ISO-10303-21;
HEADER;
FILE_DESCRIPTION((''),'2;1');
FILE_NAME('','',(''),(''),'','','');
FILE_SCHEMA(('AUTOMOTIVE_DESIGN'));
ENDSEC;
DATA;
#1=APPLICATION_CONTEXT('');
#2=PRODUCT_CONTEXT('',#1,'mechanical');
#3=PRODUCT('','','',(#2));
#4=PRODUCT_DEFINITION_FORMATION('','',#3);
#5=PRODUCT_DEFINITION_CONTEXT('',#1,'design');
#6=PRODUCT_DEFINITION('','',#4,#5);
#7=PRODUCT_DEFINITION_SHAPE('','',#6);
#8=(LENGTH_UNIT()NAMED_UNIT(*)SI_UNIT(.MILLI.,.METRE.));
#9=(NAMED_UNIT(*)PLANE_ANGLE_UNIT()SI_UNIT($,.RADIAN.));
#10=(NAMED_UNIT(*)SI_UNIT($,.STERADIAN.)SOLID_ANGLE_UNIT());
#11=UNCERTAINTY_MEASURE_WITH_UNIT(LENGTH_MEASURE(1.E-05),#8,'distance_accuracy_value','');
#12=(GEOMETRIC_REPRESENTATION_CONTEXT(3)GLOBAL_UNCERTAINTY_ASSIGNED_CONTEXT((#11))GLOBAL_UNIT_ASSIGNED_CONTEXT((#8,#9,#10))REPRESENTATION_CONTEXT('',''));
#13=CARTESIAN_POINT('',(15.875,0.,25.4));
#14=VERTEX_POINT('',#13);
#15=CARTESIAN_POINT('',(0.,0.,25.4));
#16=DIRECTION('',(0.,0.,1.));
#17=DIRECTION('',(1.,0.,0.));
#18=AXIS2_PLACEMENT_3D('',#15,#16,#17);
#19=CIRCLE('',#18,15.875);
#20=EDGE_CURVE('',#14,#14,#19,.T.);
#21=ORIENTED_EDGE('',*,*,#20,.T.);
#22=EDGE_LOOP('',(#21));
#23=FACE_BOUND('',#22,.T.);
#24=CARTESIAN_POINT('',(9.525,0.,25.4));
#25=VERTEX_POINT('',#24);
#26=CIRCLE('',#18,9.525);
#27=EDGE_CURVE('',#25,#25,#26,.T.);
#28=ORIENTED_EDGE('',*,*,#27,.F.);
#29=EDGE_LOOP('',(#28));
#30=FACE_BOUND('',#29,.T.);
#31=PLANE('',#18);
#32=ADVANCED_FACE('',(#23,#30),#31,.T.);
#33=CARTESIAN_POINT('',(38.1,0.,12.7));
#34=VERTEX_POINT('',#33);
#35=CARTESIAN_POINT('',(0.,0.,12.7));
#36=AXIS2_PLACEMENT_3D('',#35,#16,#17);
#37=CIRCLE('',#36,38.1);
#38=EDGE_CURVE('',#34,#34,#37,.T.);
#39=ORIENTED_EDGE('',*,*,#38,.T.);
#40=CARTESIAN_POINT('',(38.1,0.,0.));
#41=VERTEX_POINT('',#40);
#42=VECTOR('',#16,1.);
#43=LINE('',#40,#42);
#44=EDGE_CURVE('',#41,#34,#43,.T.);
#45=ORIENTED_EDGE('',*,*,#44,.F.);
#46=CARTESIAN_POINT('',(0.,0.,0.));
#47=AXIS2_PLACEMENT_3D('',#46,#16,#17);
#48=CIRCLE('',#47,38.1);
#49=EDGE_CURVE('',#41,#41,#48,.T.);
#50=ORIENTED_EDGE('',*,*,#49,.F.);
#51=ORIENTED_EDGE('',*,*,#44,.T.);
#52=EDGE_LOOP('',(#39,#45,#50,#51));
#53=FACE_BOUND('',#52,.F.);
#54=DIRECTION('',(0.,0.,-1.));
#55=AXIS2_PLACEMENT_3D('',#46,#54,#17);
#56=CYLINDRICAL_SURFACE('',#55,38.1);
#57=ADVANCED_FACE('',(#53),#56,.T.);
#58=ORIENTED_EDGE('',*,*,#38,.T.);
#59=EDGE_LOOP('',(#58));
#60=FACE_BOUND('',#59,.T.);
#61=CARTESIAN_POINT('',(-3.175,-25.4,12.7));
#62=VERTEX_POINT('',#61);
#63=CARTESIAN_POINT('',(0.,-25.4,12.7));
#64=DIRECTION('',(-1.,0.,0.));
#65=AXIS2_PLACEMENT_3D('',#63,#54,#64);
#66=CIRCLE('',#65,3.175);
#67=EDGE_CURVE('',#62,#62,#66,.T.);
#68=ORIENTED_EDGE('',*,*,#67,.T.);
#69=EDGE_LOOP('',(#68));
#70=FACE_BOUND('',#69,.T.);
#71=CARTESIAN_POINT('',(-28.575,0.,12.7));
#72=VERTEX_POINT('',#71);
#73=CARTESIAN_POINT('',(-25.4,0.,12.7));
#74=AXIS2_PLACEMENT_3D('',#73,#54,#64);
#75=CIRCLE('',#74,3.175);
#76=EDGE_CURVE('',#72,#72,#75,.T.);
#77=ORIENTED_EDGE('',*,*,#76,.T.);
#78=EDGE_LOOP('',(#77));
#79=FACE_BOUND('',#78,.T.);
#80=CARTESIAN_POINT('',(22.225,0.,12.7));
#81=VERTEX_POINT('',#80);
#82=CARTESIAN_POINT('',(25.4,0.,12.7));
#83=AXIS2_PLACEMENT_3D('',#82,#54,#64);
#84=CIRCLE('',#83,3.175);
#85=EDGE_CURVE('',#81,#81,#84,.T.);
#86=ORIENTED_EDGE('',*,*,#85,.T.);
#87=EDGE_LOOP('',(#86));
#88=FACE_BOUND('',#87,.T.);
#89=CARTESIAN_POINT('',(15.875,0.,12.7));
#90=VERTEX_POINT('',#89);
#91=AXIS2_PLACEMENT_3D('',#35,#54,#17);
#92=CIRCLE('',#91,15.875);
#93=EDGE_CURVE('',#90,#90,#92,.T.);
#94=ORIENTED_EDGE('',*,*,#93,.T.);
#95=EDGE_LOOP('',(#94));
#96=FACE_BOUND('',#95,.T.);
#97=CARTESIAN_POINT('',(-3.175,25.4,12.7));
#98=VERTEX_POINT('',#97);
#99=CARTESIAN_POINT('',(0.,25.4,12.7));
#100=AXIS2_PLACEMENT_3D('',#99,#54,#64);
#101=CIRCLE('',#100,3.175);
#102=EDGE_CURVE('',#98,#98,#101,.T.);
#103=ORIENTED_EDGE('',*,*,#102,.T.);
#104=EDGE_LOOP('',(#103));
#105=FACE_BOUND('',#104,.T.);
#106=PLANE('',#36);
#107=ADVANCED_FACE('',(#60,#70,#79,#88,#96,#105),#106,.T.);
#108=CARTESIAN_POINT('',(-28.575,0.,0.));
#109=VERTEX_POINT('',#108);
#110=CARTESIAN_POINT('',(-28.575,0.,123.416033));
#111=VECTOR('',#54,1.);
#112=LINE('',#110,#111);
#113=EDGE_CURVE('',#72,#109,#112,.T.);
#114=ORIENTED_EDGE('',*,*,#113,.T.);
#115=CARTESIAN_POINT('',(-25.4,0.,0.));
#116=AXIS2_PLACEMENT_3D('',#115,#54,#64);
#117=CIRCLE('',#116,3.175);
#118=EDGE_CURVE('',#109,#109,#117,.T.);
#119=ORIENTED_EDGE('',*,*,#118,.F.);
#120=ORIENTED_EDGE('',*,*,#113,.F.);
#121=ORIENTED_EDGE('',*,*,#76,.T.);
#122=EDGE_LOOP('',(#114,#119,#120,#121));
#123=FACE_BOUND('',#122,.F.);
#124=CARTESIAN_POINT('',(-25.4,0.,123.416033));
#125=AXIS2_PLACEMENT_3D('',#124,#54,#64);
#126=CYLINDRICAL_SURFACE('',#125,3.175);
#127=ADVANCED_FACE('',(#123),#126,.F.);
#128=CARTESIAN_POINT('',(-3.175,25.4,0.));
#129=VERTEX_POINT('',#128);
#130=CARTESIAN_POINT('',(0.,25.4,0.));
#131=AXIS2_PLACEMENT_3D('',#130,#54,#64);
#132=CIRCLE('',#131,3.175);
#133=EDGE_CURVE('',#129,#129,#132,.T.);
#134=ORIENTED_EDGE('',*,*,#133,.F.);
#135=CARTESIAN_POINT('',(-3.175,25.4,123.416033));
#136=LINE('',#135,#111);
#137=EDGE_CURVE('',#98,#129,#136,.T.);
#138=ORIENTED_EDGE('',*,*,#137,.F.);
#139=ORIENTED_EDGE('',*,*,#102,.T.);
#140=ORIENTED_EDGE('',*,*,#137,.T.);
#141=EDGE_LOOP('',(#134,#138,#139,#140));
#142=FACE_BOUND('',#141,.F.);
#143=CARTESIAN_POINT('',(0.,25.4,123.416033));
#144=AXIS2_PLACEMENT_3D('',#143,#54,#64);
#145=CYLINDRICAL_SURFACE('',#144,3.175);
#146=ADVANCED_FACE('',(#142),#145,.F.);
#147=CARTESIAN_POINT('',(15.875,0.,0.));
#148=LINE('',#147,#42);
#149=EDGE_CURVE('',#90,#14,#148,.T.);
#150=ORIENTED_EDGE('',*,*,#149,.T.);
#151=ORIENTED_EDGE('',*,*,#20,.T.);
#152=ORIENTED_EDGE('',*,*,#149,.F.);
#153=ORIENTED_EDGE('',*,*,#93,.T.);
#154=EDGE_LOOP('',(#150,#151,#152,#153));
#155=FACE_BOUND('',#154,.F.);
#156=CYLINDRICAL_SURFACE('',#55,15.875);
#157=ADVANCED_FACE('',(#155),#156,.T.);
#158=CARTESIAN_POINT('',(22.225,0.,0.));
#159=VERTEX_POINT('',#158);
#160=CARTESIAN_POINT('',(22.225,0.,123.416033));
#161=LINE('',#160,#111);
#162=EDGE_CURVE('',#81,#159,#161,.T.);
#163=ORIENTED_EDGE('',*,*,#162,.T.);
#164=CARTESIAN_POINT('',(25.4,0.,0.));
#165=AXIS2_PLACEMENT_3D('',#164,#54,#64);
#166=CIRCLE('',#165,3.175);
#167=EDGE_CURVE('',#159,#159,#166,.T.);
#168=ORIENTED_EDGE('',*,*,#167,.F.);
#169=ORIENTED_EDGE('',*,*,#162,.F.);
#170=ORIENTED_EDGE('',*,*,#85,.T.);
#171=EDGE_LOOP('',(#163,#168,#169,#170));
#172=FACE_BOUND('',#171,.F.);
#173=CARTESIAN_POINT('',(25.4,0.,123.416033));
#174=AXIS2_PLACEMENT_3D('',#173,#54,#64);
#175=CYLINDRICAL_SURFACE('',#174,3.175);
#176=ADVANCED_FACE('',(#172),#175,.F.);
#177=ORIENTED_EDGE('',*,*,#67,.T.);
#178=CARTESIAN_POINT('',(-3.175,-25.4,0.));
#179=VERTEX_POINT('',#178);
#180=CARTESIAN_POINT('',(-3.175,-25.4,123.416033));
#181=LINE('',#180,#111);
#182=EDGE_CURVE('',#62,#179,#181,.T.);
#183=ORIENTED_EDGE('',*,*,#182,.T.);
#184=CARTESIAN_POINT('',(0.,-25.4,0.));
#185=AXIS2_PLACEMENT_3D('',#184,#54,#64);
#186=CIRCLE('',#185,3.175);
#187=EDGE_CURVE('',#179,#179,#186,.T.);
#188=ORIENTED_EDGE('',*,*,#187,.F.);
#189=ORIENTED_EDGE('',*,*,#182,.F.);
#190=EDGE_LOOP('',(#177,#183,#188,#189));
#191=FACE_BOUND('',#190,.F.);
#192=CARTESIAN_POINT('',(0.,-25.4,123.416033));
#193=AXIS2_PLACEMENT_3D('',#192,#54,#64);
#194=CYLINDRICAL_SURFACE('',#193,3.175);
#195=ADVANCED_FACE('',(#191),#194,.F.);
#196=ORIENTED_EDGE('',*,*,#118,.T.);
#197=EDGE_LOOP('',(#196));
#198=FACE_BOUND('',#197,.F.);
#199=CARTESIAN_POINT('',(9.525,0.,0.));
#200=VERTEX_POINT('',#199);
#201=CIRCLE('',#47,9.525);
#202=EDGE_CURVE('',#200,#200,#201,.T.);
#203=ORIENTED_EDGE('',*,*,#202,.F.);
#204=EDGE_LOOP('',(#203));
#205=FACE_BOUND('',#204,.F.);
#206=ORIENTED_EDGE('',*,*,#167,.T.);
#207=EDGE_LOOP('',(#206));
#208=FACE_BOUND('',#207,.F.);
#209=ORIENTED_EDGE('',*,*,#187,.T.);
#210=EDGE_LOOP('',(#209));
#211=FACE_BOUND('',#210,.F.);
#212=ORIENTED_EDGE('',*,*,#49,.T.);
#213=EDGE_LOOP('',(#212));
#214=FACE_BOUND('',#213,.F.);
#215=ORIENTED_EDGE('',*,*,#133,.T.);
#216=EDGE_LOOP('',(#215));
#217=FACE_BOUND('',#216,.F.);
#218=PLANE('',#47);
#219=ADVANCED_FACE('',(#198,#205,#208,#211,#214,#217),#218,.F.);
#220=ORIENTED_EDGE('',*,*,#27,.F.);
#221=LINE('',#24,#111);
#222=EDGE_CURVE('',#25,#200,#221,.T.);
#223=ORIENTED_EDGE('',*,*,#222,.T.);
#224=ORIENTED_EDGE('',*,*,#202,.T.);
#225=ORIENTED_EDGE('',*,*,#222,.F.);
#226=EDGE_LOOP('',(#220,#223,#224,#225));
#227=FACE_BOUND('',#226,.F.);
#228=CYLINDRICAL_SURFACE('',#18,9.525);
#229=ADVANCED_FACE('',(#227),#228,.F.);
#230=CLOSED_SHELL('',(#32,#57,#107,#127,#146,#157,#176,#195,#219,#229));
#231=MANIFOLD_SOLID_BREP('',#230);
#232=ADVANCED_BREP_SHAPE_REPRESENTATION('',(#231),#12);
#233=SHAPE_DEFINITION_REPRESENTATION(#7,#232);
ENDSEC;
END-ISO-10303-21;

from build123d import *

# Parameters (mm, degrees)
F0_R     = 38.1
F0_R_2   = 15.875
F1_DEPTH = 12.7
F2_DEPTH = 25.4
F3_R     = 9.525
F4_DEPTH = 25.4
F6_D     = 6.35


with BuildPart() as f1:
    # F0 (on Top) → F1 (new body)
    with BuildSketch(Plane.XY):
        Circle(F0_R)
        Circle(F0_R_2, mode=Mode.SUBTRACT)
        Circle(F0_R_2)
    extrude(amount=F1_DEPTH)

    # F0 (on Top) → F2 (join)
    with BuildSketch(Plane.XY):
        Circle(F0_R_2)
    extrude(amount=F2_DEPTH)

    # F3 (on face) → F4 (cut, through all)
    with BuildSketch(Plane.XY.offset(25.4)):
        Circle(F3_R)
    extrude(amount=-F4_DEPTH, mode=Mode.SUBTRACT)

    # F6 (through all)
    with Locations(Plane.XY.offset(12.7)):
        with Locations((0, 25.4), (25.4, 0), (0, -25.4), (-25.4, 0)):
            Hole(F6_D / 2)


solid = f1.part
